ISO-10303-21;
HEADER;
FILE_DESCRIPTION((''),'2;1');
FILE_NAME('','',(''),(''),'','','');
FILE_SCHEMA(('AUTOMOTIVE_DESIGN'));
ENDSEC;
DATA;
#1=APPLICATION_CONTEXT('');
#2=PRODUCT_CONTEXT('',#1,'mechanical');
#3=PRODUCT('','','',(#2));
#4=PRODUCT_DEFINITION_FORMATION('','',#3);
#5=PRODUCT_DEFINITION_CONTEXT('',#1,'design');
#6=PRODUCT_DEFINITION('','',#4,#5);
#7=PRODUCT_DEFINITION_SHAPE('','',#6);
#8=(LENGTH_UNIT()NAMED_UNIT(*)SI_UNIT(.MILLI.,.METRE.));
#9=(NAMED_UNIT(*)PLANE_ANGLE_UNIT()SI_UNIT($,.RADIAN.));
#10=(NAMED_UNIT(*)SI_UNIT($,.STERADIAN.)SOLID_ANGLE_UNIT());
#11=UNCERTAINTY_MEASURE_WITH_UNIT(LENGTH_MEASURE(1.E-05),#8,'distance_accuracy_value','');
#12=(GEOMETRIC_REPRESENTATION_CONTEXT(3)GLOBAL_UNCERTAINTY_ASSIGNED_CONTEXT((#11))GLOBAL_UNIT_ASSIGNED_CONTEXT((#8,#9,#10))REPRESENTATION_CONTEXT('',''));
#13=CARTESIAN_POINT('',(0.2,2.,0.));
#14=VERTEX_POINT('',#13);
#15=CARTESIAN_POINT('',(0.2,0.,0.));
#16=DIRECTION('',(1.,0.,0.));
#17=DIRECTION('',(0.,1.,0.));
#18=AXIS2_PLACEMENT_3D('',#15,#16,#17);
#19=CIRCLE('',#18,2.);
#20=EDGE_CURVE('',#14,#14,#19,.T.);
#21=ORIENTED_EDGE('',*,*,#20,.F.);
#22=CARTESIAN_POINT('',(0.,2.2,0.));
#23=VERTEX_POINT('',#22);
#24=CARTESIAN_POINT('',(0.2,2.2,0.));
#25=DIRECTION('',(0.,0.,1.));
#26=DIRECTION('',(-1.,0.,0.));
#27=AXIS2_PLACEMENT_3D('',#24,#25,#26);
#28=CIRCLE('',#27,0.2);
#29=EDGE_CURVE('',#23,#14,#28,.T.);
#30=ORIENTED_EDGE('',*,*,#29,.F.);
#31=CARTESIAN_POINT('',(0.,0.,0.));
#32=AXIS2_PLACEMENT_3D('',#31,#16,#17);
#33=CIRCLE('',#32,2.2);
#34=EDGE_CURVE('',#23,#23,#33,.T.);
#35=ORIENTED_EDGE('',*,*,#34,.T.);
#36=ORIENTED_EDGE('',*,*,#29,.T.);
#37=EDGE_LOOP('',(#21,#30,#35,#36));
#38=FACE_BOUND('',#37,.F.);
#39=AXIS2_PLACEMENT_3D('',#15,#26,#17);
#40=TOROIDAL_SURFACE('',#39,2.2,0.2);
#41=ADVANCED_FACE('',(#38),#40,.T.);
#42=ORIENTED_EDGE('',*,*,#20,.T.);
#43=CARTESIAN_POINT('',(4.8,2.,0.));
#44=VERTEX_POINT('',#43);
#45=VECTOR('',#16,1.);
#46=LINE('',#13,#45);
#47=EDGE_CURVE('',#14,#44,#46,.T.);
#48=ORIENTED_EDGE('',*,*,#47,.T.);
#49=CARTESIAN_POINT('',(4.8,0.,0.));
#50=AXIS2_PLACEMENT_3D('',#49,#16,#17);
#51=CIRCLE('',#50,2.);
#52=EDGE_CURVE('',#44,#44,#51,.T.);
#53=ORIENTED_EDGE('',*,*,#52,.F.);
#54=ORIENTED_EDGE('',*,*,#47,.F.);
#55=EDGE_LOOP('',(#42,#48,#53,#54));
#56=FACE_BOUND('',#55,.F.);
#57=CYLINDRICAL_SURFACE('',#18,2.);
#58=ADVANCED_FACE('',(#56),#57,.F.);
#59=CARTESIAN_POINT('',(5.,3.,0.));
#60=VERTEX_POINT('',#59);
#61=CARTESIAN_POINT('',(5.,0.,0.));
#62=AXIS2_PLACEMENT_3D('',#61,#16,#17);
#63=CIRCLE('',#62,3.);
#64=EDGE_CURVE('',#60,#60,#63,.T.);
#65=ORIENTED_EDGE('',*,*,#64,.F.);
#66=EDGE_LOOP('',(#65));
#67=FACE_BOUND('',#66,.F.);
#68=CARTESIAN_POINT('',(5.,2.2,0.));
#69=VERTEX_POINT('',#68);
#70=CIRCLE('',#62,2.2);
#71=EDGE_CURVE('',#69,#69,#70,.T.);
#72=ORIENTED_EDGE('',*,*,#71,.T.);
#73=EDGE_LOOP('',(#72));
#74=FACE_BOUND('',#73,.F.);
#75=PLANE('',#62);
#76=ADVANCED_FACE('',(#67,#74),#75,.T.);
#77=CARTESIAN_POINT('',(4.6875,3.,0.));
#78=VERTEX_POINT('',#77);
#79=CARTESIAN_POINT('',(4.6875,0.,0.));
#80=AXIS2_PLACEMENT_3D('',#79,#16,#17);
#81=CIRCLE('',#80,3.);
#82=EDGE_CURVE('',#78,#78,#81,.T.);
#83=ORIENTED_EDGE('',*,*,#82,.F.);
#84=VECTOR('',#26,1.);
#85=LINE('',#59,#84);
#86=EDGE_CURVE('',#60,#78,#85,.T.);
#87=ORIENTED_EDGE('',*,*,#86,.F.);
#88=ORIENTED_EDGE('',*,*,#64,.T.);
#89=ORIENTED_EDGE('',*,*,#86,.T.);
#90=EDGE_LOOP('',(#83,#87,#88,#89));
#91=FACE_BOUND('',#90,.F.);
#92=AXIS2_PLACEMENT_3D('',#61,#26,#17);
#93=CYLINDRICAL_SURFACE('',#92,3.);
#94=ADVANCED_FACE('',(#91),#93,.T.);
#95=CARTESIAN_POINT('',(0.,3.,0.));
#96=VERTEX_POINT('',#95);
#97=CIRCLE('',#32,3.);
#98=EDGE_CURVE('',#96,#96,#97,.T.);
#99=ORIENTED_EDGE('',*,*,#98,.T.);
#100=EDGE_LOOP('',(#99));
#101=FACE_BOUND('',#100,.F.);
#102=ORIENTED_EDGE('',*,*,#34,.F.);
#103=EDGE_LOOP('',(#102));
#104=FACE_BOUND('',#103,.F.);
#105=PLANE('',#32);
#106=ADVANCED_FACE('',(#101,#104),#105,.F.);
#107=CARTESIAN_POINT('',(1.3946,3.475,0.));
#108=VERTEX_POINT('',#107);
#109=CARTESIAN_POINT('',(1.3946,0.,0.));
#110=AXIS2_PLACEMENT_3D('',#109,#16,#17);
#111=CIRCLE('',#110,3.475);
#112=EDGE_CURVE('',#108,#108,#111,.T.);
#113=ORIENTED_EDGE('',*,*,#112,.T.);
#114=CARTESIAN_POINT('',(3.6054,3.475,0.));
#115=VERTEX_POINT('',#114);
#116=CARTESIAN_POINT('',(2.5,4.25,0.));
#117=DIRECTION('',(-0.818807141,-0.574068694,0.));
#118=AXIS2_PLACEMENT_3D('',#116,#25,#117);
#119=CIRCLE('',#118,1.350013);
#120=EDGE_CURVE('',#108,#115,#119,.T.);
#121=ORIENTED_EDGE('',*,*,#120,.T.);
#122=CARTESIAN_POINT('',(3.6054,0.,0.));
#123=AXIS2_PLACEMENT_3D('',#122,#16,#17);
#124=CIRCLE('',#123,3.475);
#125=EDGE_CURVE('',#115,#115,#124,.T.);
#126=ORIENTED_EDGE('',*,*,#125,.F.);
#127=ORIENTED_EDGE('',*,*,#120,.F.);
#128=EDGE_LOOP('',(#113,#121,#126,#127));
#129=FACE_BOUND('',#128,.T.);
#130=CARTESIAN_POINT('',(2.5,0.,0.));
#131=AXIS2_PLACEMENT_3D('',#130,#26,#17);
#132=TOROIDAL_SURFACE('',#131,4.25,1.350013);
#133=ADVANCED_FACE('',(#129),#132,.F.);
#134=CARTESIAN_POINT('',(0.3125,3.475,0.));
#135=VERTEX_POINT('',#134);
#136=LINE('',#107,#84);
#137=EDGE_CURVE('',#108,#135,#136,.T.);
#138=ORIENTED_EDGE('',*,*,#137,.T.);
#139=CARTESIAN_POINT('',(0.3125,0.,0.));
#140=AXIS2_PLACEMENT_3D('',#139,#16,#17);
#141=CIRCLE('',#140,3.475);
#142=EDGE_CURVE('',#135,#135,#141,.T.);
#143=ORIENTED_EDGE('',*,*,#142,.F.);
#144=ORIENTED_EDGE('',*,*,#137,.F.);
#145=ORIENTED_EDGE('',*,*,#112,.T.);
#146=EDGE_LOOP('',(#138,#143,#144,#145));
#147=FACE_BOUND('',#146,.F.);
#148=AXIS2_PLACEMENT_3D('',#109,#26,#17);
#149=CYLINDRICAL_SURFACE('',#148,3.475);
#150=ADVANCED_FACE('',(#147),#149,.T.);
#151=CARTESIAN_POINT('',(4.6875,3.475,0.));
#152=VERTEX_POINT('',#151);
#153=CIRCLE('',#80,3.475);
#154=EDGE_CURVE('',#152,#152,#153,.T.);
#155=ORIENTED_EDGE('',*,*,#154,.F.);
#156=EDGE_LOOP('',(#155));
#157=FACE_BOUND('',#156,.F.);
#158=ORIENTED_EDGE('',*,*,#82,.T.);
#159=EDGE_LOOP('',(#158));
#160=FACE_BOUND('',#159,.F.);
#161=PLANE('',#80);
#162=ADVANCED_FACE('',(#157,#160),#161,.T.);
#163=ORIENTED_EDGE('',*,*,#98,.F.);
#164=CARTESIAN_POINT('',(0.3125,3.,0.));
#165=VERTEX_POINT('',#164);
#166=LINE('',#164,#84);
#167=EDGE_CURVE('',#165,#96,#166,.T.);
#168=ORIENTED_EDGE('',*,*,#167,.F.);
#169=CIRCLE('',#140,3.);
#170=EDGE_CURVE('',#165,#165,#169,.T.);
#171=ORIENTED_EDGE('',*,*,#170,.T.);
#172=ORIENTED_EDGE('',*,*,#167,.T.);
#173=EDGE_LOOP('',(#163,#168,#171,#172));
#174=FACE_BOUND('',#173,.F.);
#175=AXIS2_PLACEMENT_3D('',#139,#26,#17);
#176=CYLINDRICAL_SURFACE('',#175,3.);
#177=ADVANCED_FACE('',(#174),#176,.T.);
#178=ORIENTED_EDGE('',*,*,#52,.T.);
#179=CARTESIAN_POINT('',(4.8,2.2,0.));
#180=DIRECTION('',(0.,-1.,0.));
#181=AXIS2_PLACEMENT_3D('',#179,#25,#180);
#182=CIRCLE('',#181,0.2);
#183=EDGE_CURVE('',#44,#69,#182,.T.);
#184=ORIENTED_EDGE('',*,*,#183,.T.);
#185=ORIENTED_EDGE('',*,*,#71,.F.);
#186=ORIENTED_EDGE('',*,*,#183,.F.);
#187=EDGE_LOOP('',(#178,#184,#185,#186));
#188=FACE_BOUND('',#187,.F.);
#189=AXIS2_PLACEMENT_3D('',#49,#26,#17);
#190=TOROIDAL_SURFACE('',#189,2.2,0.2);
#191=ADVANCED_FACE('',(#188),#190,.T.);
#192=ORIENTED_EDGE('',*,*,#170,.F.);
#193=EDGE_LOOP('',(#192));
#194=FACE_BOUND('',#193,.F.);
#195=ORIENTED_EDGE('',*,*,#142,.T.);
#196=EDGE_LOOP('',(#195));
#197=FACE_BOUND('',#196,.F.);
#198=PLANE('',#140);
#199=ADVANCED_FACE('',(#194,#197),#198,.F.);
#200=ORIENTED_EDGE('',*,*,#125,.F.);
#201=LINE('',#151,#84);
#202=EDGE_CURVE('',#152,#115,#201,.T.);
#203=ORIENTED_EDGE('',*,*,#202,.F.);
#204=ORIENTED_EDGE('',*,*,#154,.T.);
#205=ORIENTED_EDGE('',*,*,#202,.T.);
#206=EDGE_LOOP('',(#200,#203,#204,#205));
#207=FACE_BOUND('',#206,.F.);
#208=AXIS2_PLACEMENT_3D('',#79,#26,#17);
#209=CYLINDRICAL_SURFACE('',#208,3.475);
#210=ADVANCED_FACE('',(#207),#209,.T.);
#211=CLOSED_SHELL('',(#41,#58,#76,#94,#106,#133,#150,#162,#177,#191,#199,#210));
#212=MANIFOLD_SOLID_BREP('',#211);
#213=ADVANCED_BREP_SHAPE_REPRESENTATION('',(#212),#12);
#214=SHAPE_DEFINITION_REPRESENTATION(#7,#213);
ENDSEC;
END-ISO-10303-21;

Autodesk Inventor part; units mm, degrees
sketch "Sketch_2" plane through (0, 0, 0) normal (0, 0, 1) x (1, 0, 0)
  line L0 (5, 0) -> (0, 0)
  arc A0 (0, 2.2) -> (0.2, 2) centre (0.2, 2.2) ccw
  line L1 (0.2, 2) -> (4.8, 2)
  arc A1 (4.8, 2) -> (5, 2.2) centre (4.8, 2.2) ccw
  line L2 (5, 2.2) -> (5, 3)
  line L3 (5, 3) -> (4.6875, 3)
  line L4 (4.6875, 3) -> (4.6875, 3.475)
  line L5 (4.6875, 3.475) -> (3.6054, 3.475)
  arc A2 (1.3946, 3.475) -> (3.6054, 3.475) centre (2.5, 4.25) ccw
  line L6 (1.3946, 3.475) -> (0.3125, 3.475)
  line L7 (0.3125, 3.475) -> (0.3125, 3)
  line L8 (0.3125, 3) -> (0, 3)
  line L9 (0, 3) -> (0, 2.2)
revolve "Revolution1" add sketch "Sketch_2" angle 360 about axis through (5, 0, 0) along (1, 0, 0)
ref_plane "ip_st_1_1_XY" through (2.5, 4.25, 0) normal (1, 0, 0) x (0, 0, -1)
ref_plane "ip_st_1_1_YZ" through (2.5, 4.25, 0) normal (0, 0, -1) x (0, 1, 0)
ref_plane "ip_st_1_1_ZX" through (2.5, 4.25, 0) normal (0, 1, 0) x (1, 0, 0)
ref_plane "ip_st_1_2_XY" through (2.5, 2.6498, 3.3228) normal (1, 0, 0) x (0, 0, -1)
ref_plane "ip_st_1_2_YZ" through (2.5, 2.6498, 3.3228) normal (0, 0, -1) x (0, 1, 0)
ref_plane "ip_st_1_2_ZX" through (2.5, 2.6498, 3.3228) normal (0, 1, 0) x (1, 0, 0)
ref_plane "ip_st_1_3_XY" through (2.5, -0.9457, 4.1434) normal (1, 0, 0) x (0, 0, -1)
ref_plane "ip_st_1_3_YZ" through (2.5, -0.9457, 4.1434) normal (0, 0, -1) x (0, 1, 0)
ref_plane "ip_st_1_3_ZX" through (2.5, -0.9457, 4.1434) normal (0, 1, 0) x (1, 0, 0)
ref_plane "ip_st_1_4_XY" through (2.5, -3.8291, 1.844) normal (1, 0, 0) x (0, 0, -1)
ref_plane "ip_st_1_4_YZ" through (2.5, -3.8291, 1.844) normal (0, 0, -1) x (0, 1, 0)
ref_plane "ip_st_1_4_ZX" through (2.5, -3.8291, 1.844) normal (0, 1, 0) x (1, 0, 0)
ref_plane "ip_st_1_5_XY" through (2.5, -3.8291, -1.844) normal (1, 0, 0) x (0, 0, -1)
ref_plane "ip_st_1_5_YZ" through (2.5, -3.8291, -1.844) normal (0, 0, -1) x (0, 1, 0)
ref_plane "ip_st_1_5_ZX" through (2.5, -3.8291, -1.844) normal (0, 1, 0) x (1, 0, 0)
ref_plane "ip_st_1_6_XY" through (2.5, -0.9457, -4.1434) normal (1, 0, 0) x (0, 0, -1)
ref_plane "ip_st_1_6_YZ" through (2.5, -0.9457, -4.1434) normal (0, 0, -1) x (0, 1, 0)
ref_plane "ip_st_1_6_ZX" through (2.5, -0.9457, -4.1434) normal (0, 1, 0) x (1, 0, 0)
ref_plane "ip_st_1_7_XY" through (2.5, 2.6498, -3.3228) normal (1, 0, 0) x (0, 0, -1)
ref_plane "ip_st_1_7_YZ" through (2.5, 2.6498, -3.3228) normal (0, 0, -1) x (0, 1, 0)
ref_plane "ip_st_1_7_ZX" through (2.5, 2.6498, -3.3228) normal (0, 1, 0) x (1, 0, 0)
ref_plane "ip_st_1a_XY" through (0, 0, 0) normal (1, 0, 0) x (0, 0, -1)
ref_plane "ip_st_1a_YZ" through (0, 0, 0) normal (0, 0, -1) x (0, 1, 0)
ref_plane "ip_st_1a_ZX" through (0, 0, 0) normal (0, 1, 0) x (1, 0, 0)
ref_plane "ip_st_2a_XY" through (0.3125, 0, 0) normal (1, 0, 0) x (0, 0, -1)
ref_plane "ip_st_2a_YZ" through (0.3125, 0, 0) normal (0, 0, -1) x (0, 1, 0)
ref_plane "ip_st_2a_ZX" through (0.3125, 0, 0) normal (0, 1, 0) x (1, 0, 0)
properties part number "F624ZZ Inner Ring"
